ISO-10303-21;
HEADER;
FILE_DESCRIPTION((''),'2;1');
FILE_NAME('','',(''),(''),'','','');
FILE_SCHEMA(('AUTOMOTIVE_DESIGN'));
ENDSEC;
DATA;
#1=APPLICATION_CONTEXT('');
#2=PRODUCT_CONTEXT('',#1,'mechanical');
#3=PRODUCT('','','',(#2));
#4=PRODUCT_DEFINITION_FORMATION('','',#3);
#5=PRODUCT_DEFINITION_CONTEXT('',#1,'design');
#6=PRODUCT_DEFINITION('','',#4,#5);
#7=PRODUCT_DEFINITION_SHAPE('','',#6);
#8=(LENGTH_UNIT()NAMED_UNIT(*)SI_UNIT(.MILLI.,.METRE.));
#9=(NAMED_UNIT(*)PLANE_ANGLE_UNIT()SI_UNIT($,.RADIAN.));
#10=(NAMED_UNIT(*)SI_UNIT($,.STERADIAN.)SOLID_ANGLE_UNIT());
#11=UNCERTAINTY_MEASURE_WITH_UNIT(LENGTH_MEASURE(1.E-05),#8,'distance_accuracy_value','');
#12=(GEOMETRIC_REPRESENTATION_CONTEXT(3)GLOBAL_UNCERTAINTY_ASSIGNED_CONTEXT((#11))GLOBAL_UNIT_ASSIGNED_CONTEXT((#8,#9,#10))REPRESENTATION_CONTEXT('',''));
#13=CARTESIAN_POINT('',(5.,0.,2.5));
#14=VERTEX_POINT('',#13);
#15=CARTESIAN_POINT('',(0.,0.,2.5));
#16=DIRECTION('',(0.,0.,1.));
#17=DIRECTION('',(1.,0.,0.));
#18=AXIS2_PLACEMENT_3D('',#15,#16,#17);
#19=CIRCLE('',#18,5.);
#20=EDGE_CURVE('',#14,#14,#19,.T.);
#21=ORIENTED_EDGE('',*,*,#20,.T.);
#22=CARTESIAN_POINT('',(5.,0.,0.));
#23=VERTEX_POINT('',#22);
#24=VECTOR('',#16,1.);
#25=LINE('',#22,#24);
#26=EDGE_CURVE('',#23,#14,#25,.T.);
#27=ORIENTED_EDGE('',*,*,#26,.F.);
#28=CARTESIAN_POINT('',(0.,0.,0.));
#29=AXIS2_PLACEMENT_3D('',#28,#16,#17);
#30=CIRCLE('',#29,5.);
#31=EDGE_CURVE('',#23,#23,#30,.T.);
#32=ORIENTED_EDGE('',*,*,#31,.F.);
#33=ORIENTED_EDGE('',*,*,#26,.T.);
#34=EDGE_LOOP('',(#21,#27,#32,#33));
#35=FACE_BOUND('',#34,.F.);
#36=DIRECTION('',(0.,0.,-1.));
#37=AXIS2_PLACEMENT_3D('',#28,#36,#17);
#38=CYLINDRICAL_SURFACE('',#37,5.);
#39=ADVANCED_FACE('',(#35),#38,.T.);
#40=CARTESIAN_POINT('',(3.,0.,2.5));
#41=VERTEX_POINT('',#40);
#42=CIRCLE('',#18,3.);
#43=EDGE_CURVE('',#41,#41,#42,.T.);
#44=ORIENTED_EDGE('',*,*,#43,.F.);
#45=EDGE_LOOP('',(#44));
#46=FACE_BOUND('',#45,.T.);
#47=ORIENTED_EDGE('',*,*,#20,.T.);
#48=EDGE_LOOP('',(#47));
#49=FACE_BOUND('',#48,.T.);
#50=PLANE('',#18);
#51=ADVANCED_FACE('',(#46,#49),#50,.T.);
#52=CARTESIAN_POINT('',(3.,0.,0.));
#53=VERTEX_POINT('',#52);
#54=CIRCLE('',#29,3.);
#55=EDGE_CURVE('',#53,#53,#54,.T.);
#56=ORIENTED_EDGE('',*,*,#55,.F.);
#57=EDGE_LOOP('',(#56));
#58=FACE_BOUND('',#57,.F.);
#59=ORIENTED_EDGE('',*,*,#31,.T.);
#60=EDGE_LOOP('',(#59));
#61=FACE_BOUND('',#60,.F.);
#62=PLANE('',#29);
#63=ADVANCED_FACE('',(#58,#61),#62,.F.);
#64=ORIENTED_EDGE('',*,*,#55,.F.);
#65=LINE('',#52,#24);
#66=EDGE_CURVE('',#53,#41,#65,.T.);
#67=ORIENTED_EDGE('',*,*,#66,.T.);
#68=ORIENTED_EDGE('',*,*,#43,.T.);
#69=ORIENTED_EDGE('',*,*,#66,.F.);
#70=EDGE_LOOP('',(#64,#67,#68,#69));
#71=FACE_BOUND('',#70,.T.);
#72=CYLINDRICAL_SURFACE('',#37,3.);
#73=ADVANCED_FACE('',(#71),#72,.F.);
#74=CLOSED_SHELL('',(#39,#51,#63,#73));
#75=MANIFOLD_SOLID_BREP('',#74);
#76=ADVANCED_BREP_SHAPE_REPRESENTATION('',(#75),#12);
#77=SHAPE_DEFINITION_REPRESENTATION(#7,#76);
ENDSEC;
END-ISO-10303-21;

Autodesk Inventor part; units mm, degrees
ref_plane "YZ Plane" through (0, 0, 0) normal (1, 0, 0) x (0, 1, 0)
ref_plane "XZ Plane" through (0, 0, 0) normal (0, 1, 0) x (-1, 0, 0)
ref_plane "XY Plane" through (0, 0, 0) normal (0, 0, 1) x (1, 0, 0)
sketch "스케치1" plane through (0, 0, 0) normal (0, 0, 1) x (1, 0, 0)
  circle A0 centre (0, 0) radius 5
  circle A1 centre (0, 0) radius 3
  dimension "d0" = 10
  dimension "d1" = 6
extrude "돌출1" add sketch "스케치1" along normal blind 2.5
properties part number "작은베어링" material "스테인리스스틸"
